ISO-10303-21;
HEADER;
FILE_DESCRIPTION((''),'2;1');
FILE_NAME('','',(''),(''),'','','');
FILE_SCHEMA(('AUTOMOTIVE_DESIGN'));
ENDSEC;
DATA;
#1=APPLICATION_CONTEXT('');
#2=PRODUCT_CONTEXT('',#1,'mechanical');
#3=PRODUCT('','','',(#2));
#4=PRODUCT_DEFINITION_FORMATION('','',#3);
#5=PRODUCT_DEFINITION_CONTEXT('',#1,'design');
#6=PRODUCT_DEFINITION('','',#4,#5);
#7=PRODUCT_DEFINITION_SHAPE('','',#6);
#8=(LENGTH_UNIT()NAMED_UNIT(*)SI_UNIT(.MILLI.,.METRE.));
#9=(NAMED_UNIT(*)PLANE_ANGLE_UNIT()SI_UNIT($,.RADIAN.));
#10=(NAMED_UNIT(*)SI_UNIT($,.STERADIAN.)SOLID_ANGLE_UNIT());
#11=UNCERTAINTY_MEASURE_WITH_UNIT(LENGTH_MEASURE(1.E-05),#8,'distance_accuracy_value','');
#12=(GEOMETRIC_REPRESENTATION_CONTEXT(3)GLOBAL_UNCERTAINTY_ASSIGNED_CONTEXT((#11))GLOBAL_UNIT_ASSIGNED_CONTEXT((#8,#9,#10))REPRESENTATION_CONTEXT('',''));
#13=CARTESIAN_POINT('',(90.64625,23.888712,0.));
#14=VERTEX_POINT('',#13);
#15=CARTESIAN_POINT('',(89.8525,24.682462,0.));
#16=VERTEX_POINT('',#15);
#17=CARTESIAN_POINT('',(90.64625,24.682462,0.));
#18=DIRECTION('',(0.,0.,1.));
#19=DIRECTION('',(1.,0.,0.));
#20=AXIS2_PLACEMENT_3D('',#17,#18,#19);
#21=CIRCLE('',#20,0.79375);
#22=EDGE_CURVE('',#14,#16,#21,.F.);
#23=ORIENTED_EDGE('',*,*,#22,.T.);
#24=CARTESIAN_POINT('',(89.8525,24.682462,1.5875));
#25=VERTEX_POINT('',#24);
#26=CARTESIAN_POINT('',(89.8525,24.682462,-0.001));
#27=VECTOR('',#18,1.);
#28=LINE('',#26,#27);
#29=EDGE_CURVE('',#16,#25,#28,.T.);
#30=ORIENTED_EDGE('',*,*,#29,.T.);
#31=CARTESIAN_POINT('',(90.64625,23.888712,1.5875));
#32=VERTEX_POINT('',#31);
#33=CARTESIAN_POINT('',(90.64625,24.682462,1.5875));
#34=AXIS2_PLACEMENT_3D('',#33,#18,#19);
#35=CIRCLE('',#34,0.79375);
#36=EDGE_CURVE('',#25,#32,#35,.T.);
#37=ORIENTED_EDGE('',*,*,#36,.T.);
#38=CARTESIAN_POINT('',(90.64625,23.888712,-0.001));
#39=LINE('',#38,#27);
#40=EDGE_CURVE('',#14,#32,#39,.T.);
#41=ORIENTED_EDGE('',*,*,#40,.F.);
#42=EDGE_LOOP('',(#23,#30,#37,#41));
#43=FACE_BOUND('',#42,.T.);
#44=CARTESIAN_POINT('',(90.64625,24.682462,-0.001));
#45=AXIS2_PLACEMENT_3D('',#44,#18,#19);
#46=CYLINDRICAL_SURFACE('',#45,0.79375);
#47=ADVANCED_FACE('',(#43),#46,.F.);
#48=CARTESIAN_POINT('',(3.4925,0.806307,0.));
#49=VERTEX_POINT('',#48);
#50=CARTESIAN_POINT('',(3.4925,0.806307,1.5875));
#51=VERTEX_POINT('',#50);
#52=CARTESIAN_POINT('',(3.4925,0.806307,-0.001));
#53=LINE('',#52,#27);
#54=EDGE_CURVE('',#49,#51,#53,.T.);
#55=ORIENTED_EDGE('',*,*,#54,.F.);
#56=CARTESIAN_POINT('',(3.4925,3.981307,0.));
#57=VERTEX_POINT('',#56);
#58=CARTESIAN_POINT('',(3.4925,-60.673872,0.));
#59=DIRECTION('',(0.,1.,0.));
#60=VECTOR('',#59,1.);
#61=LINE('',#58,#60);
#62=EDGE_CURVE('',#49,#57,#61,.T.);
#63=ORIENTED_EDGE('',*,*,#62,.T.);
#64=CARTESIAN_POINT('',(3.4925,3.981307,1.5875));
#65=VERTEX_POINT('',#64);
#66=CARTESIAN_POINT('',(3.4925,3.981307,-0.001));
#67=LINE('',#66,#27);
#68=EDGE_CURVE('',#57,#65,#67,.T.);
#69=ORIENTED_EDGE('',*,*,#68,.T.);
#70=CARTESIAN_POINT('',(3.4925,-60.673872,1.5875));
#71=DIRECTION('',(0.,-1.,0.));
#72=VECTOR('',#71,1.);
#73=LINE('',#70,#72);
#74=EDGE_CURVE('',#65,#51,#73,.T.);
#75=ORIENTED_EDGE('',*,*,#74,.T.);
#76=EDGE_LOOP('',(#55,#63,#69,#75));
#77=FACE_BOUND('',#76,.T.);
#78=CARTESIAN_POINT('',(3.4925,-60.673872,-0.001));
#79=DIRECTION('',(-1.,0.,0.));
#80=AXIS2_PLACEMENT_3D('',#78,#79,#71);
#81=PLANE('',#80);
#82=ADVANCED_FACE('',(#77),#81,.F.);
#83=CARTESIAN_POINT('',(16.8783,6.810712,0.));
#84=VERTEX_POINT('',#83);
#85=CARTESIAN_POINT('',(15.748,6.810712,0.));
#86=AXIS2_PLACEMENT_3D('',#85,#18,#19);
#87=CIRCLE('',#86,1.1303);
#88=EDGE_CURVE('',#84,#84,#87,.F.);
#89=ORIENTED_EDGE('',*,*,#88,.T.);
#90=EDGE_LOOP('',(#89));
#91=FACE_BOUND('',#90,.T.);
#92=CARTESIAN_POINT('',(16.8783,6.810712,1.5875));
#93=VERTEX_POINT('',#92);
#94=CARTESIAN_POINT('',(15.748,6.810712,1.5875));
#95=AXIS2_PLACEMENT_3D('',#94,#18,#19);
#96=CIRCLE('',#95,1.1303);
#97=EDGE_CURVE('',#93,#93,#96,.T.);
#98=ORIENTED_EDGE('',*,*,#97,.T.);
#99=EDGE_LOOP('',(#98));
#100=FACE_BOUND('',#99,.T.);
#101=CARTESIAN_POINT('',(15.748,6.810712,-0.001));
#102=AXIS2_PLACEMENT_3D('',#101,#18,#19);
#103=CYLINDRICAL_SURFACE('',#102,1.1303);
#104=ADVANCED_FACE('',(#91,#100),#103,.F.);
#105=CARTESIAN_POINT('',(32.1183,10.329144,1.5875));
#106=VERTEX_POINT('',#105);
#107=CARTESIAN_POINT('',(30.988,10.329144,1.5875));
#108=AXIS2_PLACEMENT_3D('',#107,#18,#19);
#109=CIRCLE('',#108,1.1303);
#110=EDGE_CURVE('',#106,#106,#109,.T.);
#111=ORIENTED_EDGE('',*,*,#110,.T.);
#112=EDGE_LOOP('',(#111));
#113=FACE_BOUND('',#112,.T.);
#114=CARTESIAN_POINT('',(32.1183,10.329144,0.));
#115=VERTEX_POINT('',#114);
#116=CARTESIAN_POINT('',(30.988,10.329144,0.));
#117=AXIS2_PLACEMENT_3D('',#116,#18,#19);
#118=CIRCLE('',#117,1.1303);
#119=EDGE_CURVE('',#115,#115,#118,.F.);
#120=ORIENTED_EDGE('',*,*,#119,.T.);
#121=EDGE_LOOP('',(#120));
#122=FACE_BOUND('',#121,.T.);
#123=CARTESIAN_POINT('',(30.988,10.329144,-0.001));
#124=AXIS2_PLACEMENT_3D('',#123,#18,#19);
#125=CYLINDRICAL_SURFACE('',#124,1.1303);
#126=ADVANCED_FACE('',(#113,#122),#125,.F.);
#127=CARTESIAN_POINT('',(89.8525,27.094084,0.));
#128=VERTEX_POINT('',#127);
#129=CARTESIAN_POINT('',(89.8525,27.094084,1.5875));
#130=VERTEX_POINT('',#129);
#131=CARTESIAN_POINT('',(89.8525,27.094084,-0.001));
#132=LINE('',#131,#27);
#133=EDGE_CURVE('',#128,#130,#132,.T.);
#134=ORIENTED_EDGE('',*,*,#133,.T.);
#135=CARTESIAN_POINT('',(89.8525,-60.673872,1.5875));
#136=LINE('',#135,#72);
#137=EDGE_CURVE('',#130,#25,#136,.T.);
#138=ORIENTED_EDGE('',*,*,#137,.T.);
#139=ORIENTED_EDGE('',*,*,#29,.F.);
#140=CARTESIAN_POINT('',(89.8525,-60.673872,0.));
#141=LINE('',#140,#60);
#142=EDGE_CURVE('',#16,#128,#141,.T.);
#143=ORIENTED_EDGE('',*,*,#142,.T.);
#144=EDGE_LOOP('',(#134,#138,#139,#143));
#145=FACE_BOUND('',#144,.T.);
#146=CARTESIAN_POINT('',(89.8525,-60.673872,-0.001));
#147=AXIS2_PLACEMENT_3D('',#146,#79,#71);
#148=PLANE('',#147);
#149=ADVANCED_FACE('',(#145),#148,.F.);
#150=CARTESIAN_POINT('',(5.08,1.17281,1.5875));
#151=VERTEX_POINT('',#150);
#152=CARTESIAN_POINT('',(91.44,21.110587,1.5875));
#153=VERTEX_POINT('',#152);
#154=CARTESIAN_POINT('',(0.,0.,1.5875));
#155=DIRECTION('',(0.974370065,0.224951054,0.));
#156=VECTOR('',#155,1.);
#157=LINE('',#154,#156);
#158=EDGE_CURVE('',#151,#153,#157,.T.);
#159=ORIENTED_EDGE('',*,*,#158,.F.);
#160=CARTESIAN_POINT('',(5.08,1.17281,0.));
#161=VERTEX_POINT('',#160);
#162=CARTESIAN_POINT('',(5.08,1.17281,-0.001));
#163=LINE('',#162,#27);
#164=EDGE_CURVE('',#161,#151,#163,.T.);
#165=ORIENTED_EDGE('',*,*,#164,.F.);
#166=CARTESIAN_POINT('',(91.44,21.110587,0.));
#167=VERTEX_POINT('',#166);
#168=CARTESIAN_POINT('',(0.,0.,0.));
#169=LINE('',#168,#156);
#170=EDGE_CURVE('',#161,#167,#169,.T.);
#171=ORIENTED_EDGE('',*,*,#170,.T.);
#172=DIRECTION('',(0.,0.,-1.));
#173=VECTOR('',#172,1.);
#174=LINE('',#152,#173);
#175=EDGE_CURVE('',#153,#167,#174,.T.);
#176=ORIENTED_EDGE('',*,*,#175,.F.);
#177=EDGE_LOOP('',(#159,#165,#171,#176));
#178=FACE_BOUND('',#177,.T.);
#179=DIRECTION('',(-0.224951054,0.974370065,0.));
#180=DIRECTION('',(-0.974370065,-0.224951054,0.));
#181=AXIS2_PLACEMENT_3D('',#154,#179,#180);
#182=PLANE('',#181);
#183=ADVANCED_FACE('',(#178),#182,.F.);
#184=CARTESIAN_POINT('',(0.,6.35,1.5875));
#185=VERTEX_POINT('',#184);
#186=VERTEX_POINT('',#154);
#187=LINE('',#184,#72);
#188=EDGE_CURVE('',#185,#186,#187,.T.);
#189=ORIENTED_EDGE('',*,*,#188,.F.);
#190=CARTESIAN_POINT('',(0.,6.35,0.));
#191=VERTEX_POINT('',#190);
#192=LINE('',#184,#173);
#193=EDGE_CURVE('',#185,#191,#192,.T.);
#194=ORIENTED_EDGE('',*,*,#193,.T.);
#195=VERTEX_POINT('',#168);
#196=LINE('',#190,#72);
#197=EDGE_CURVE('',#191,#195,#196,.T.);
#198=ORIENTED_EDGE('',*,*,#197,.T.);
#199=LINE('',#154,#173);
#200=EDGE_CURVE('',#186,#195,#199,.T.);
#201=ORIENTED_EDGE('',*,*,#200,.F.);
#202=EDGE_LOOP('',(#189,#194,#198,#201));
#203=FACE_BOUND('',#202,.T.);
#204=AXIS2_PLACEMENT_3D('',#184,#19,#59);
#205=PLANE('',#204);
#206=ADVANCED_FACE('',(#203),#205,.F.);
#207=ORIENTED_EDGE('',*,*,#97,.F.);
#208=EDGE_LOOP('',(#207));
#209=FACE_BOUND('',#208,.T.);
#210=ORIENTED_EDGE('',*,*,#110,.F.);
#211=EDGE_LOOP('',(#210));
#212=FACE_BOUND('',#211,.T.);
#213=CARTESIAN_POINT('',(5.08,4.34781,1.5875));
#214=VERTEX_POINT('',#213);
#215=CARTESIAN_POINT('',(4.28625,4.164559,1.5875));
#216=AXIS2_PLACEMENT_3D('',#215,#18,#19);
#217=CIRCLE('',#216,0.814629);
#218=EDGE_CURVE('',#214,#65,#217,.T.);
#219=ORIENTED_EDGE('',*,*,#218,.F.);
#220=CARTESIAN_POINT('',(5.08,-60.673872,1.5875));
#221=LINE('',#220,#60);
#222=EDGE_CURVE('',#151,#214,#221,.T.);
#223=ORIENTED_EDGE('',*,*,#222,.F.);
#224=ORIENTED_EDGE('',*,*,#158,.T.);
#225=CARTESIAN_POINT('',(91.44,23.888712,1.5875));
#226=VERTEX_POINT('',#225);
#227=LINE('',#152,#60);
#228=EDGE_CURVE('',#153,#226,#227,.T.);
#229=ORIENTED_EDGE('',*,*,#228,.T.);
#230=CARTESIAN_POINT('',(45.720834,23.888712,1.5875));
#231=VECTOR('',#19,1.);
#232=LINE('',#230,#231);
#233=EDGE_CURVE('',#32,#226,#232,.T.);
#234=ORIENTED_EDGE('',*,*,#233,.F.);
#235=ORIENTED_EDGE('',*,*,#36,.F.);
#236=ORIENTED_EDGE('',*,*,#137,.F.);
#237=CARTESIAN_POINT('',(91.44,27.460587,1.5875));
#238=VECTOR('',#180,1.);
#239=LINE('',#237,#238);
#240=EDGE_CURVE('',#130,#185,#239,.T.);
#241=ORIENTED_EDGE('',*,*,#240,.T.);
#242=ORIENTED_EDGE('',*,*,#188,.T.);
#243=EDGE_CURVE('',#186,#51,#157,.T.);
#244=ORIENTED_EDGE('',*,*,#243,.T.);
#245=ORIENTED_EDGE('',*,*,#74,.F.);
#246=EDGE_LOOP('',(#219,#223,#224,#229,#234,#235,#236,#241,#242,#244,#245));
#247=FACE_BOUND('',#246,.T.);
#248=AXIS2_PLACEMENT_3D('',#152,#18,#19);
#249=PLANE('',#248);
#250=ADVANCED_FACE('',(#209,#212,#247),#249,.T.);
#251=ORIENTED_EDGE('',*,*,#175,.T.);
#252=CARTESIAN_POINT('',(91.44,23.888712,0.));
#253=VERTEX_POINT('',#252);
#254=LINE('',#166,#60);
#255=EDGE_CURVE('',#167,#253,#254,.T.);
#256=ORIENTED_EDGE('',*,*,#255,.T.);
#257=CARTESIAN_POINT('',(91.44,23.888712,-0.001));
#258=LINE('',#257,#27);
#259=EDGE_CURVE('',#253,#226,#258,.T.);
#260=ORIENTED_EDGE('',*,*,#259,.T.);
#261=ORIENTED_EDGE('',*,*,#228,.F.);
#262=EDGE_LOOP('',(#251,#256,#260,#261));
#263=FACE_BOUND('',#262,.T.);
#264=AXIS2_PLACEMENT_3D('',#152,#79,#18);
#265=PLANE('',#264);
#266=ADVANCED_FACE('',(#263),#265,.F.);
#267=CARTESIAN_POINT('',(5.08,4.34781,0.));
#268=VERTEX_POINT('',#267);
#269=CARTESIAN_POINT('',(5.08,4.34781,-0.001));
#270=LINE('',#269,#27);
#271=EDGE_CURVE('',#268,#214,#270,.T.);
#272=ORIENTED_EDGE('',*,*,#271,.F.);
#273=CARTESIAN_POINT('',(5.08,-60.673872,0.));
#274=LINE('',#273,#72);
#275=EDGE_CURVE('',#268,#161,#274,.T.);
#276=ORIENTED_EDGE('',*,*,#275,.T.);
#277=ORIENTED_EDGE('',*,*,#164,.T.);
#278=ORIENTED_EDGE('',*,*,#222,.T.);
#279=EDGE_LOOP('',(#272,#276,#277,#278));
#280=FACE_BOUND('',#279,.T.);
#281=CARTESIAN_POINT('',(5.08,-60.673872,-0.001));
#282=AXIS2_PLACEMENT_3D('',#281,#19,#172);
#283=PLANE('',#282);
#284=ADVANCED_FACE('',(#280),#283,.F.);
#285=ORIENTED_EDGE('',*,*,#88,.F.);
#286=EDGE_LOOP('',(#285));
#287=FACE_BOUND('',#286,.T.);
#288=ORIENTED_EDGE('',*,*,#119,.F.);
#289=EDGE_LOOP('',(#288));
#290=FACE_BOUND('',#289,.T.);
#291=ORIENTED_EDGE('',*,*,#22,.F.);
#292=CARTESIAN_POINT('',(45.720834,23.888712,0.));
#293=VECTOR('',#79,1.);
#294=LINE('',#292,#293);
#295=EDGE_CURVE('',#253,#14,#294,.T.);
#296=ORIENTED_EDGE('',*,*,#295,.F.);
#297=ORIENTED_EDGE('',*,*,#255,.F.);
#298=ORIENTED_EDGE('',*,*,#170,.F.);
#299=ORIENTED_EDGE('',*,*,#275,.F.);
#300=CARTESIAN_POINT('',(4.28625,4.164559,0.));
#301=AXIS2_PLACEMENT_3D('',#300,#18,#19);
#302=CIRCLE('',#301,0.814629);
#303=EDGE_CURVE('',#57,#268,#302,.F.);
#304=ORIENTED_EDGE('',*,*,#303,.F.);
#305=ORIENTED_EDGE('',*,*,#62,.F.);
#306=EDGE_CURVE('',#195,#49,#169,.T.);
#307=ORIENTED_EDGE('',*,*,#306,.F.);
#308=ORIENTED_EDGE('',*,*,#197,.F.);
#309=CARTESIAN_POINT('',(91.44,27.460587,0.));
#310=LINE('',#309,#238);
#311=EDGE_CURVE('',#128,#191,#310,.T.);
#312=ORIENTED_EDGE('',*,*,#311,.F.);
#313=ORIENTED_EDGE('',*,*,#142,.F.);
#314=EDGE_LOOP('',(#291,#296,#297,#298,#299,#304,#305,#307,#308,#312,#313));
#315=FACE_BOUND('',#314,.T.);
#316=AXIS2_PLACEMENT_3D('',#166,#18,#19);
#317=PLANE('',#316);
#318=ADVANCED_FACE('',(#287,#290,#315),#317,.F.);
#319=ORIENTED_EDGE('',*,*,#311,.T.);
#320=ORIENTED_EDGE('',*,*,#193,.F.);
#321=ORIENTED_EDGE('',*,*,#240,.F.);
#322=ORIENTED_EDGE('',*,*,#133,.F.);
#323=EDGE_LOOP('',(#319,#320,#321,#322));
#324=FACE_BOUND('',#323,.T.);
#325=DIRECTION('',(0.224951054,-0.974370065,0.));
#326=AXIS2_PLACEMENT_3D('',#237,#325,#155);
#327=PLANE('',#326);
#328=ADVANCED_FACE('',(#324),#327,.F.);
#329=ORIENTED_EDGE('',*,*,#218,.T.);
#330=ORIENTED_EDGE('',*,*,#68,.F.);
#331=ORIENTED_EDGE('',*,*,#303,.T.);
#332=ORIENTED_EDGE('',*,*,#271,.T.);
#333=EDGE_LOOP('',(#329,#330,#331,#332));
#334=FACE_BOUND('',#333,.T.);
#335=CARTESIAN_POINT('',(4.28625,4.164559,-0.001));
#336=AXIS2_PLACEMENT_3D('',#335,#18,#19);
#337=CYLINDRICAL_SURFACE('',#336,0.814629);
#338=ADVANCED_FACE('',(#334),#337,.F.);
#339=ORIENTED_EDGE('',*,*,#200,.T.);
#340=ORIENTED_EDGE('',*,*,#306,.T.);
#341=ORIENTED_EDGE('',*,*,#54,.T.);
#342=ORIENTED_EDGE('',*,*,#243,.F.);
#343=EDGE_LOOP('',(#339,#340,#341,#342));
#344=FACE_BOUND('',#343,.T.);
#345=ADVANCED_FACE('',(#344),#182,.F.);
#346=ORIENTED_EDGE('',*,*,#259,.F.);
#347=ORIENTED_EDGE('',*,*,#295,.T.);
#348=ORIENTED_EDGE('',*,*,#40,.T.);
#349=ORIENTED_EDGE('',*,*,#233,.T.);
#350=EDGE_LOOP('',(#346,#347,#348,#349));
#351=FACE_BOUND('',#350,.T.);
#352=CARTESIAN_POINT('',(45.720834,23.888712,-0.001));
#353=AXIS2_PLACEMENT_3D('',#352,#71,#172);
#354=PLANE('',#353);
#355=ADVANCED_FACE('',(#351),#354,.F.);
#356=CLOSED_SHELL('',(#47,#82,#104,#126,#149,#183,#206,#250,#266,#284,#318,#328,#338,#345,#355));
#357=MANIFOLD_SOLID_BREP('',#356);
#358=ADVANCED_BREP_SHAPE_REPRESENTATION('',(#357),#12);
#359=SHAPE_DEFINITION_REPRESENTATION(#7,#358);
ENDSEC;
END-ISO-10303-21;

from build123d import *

# Parameters (mm, degrees)
BOSS_EXTRUDE1_DEPTH = 1.5875
CUT_EXTRUDE1_REACH  = 97.488
SKETCH2_R           = 1.1303


with BuildPart() as part:
    # Sketch1 → Boss-Extrude1 (new body)
    with BuildSketch(Plane.XY):
        Polygon((91.44, 21.110587397), (91.44, 27.460587397), (0, 6.35), (0, 0), align=None)
    extrude(amount=BOSS_EXTRUDE1_DEPTH)

    # Sketch2 → Cut-Extrude1 (cut, up to next)
    with BuildSketch(Plane.XY.offset(1.5875), mode=Mode.PRIVATE) as cut_extrude1_sk1:
        with BuildLine():
            Line((3.4925, 0.806307158), (5.08, 1.172810411))
            Line((5.08, 1.172810411), (5.08, 4.347810411))
            ThreePointArc((5.08, 4.347810411), (4.102998373, 4.958308784), (3.4925, 3.981307158))
            Line((3.4925, 3.981307158), (3.4925, 0.806307158))
        make_face()
    cut_extrude1_tool1 = extrude(cut_extrude1_sk1.sketch, amount=-CUT_EXTRUDE1_REACH, mode=Mode.PRIVATE) & part.part
    # Sketch2 → Cut-Extrude1 (cut, up to next)
    with BuildSketch(Plane.XY.offset(1.5875), mode=Mode.PRIVATE) as cut_extrude1_sk2:
        with BuildLine():
            Line((91.44, 23.888712397), (91.44, 27.460587397))
            Line((91.44, 27.460587397), (89.8525, 27.094084143))
            Line((89.8525, 27.094084143), (89.8525, 24.682462397))
            ThreePointArc((89.8525, 24.682462397), (90.084983992, 24.121196389), (90.64625, 23.888712397))
            Line((90.64625, 23.888712397), (91.44, 23.888712397))
        make_face()
    cut_extrude1_tool2 = extrude(cut_extrude1_sk2.sketch, amount=-CUT_EXTRUDE1_REACH, mode=Mode.PRIVATE) & part.part
    # Sketch2 → Cut-Extrude1 (cut, up to next)
    with BuildSketch(Plane.XY.offset(1.5875), mode=Mode.PRIVATE) as cut_extrude1_sk3:
        with Locations((15.748, 6.810712274)):
            Circle(SKETCH2_R)
    cut_extrude1_tool3 = extrude(cut_extrude1_sk3.sketch, amount=-CUT_EXTRUDE1_REACH, mode=Mode.PRIVATE) & part.part
    # Sketch2 → Cut-Extrude1 (cut, up to next)
    with BuildSketch(Plane.XY.offset(1.5875), mode=Mode.PRIVATE) as cut_extrude1_sk4:
        with Locations((30.988, 10.329143507)):
            Circle(SKETCH2_R)
    cut_extrude1_tool4 = extrude(cut_extrude1_sk4.sketch, amount=-CUT_EXTRUDE1_REACH, mode=Mode.PRIVATE) & part.part
    add(cut_extrude1_tool1.solids().sort_by_distance((4.272922, 2.906844, 1.5875))[0], mode=Mode.SUBTRACT)
    add(cut_extrude1_tool2.solids().sort_by_distance((90.676821, 25.62383, 1.5875))[0], mode=Mode.SUBTRACT)
    add(cut_extrude1_tool3.solids().sort_by_distance((15.748, 6.810712, 1.5875))[0], mode=Mode.SUBTRACT)
    add(cut_extrude1_tool4.solids().sort_by_distance((30.988, 10.329144, 1.5875))[0], mode=Mode.SUBTRACT)


solid = part.part
